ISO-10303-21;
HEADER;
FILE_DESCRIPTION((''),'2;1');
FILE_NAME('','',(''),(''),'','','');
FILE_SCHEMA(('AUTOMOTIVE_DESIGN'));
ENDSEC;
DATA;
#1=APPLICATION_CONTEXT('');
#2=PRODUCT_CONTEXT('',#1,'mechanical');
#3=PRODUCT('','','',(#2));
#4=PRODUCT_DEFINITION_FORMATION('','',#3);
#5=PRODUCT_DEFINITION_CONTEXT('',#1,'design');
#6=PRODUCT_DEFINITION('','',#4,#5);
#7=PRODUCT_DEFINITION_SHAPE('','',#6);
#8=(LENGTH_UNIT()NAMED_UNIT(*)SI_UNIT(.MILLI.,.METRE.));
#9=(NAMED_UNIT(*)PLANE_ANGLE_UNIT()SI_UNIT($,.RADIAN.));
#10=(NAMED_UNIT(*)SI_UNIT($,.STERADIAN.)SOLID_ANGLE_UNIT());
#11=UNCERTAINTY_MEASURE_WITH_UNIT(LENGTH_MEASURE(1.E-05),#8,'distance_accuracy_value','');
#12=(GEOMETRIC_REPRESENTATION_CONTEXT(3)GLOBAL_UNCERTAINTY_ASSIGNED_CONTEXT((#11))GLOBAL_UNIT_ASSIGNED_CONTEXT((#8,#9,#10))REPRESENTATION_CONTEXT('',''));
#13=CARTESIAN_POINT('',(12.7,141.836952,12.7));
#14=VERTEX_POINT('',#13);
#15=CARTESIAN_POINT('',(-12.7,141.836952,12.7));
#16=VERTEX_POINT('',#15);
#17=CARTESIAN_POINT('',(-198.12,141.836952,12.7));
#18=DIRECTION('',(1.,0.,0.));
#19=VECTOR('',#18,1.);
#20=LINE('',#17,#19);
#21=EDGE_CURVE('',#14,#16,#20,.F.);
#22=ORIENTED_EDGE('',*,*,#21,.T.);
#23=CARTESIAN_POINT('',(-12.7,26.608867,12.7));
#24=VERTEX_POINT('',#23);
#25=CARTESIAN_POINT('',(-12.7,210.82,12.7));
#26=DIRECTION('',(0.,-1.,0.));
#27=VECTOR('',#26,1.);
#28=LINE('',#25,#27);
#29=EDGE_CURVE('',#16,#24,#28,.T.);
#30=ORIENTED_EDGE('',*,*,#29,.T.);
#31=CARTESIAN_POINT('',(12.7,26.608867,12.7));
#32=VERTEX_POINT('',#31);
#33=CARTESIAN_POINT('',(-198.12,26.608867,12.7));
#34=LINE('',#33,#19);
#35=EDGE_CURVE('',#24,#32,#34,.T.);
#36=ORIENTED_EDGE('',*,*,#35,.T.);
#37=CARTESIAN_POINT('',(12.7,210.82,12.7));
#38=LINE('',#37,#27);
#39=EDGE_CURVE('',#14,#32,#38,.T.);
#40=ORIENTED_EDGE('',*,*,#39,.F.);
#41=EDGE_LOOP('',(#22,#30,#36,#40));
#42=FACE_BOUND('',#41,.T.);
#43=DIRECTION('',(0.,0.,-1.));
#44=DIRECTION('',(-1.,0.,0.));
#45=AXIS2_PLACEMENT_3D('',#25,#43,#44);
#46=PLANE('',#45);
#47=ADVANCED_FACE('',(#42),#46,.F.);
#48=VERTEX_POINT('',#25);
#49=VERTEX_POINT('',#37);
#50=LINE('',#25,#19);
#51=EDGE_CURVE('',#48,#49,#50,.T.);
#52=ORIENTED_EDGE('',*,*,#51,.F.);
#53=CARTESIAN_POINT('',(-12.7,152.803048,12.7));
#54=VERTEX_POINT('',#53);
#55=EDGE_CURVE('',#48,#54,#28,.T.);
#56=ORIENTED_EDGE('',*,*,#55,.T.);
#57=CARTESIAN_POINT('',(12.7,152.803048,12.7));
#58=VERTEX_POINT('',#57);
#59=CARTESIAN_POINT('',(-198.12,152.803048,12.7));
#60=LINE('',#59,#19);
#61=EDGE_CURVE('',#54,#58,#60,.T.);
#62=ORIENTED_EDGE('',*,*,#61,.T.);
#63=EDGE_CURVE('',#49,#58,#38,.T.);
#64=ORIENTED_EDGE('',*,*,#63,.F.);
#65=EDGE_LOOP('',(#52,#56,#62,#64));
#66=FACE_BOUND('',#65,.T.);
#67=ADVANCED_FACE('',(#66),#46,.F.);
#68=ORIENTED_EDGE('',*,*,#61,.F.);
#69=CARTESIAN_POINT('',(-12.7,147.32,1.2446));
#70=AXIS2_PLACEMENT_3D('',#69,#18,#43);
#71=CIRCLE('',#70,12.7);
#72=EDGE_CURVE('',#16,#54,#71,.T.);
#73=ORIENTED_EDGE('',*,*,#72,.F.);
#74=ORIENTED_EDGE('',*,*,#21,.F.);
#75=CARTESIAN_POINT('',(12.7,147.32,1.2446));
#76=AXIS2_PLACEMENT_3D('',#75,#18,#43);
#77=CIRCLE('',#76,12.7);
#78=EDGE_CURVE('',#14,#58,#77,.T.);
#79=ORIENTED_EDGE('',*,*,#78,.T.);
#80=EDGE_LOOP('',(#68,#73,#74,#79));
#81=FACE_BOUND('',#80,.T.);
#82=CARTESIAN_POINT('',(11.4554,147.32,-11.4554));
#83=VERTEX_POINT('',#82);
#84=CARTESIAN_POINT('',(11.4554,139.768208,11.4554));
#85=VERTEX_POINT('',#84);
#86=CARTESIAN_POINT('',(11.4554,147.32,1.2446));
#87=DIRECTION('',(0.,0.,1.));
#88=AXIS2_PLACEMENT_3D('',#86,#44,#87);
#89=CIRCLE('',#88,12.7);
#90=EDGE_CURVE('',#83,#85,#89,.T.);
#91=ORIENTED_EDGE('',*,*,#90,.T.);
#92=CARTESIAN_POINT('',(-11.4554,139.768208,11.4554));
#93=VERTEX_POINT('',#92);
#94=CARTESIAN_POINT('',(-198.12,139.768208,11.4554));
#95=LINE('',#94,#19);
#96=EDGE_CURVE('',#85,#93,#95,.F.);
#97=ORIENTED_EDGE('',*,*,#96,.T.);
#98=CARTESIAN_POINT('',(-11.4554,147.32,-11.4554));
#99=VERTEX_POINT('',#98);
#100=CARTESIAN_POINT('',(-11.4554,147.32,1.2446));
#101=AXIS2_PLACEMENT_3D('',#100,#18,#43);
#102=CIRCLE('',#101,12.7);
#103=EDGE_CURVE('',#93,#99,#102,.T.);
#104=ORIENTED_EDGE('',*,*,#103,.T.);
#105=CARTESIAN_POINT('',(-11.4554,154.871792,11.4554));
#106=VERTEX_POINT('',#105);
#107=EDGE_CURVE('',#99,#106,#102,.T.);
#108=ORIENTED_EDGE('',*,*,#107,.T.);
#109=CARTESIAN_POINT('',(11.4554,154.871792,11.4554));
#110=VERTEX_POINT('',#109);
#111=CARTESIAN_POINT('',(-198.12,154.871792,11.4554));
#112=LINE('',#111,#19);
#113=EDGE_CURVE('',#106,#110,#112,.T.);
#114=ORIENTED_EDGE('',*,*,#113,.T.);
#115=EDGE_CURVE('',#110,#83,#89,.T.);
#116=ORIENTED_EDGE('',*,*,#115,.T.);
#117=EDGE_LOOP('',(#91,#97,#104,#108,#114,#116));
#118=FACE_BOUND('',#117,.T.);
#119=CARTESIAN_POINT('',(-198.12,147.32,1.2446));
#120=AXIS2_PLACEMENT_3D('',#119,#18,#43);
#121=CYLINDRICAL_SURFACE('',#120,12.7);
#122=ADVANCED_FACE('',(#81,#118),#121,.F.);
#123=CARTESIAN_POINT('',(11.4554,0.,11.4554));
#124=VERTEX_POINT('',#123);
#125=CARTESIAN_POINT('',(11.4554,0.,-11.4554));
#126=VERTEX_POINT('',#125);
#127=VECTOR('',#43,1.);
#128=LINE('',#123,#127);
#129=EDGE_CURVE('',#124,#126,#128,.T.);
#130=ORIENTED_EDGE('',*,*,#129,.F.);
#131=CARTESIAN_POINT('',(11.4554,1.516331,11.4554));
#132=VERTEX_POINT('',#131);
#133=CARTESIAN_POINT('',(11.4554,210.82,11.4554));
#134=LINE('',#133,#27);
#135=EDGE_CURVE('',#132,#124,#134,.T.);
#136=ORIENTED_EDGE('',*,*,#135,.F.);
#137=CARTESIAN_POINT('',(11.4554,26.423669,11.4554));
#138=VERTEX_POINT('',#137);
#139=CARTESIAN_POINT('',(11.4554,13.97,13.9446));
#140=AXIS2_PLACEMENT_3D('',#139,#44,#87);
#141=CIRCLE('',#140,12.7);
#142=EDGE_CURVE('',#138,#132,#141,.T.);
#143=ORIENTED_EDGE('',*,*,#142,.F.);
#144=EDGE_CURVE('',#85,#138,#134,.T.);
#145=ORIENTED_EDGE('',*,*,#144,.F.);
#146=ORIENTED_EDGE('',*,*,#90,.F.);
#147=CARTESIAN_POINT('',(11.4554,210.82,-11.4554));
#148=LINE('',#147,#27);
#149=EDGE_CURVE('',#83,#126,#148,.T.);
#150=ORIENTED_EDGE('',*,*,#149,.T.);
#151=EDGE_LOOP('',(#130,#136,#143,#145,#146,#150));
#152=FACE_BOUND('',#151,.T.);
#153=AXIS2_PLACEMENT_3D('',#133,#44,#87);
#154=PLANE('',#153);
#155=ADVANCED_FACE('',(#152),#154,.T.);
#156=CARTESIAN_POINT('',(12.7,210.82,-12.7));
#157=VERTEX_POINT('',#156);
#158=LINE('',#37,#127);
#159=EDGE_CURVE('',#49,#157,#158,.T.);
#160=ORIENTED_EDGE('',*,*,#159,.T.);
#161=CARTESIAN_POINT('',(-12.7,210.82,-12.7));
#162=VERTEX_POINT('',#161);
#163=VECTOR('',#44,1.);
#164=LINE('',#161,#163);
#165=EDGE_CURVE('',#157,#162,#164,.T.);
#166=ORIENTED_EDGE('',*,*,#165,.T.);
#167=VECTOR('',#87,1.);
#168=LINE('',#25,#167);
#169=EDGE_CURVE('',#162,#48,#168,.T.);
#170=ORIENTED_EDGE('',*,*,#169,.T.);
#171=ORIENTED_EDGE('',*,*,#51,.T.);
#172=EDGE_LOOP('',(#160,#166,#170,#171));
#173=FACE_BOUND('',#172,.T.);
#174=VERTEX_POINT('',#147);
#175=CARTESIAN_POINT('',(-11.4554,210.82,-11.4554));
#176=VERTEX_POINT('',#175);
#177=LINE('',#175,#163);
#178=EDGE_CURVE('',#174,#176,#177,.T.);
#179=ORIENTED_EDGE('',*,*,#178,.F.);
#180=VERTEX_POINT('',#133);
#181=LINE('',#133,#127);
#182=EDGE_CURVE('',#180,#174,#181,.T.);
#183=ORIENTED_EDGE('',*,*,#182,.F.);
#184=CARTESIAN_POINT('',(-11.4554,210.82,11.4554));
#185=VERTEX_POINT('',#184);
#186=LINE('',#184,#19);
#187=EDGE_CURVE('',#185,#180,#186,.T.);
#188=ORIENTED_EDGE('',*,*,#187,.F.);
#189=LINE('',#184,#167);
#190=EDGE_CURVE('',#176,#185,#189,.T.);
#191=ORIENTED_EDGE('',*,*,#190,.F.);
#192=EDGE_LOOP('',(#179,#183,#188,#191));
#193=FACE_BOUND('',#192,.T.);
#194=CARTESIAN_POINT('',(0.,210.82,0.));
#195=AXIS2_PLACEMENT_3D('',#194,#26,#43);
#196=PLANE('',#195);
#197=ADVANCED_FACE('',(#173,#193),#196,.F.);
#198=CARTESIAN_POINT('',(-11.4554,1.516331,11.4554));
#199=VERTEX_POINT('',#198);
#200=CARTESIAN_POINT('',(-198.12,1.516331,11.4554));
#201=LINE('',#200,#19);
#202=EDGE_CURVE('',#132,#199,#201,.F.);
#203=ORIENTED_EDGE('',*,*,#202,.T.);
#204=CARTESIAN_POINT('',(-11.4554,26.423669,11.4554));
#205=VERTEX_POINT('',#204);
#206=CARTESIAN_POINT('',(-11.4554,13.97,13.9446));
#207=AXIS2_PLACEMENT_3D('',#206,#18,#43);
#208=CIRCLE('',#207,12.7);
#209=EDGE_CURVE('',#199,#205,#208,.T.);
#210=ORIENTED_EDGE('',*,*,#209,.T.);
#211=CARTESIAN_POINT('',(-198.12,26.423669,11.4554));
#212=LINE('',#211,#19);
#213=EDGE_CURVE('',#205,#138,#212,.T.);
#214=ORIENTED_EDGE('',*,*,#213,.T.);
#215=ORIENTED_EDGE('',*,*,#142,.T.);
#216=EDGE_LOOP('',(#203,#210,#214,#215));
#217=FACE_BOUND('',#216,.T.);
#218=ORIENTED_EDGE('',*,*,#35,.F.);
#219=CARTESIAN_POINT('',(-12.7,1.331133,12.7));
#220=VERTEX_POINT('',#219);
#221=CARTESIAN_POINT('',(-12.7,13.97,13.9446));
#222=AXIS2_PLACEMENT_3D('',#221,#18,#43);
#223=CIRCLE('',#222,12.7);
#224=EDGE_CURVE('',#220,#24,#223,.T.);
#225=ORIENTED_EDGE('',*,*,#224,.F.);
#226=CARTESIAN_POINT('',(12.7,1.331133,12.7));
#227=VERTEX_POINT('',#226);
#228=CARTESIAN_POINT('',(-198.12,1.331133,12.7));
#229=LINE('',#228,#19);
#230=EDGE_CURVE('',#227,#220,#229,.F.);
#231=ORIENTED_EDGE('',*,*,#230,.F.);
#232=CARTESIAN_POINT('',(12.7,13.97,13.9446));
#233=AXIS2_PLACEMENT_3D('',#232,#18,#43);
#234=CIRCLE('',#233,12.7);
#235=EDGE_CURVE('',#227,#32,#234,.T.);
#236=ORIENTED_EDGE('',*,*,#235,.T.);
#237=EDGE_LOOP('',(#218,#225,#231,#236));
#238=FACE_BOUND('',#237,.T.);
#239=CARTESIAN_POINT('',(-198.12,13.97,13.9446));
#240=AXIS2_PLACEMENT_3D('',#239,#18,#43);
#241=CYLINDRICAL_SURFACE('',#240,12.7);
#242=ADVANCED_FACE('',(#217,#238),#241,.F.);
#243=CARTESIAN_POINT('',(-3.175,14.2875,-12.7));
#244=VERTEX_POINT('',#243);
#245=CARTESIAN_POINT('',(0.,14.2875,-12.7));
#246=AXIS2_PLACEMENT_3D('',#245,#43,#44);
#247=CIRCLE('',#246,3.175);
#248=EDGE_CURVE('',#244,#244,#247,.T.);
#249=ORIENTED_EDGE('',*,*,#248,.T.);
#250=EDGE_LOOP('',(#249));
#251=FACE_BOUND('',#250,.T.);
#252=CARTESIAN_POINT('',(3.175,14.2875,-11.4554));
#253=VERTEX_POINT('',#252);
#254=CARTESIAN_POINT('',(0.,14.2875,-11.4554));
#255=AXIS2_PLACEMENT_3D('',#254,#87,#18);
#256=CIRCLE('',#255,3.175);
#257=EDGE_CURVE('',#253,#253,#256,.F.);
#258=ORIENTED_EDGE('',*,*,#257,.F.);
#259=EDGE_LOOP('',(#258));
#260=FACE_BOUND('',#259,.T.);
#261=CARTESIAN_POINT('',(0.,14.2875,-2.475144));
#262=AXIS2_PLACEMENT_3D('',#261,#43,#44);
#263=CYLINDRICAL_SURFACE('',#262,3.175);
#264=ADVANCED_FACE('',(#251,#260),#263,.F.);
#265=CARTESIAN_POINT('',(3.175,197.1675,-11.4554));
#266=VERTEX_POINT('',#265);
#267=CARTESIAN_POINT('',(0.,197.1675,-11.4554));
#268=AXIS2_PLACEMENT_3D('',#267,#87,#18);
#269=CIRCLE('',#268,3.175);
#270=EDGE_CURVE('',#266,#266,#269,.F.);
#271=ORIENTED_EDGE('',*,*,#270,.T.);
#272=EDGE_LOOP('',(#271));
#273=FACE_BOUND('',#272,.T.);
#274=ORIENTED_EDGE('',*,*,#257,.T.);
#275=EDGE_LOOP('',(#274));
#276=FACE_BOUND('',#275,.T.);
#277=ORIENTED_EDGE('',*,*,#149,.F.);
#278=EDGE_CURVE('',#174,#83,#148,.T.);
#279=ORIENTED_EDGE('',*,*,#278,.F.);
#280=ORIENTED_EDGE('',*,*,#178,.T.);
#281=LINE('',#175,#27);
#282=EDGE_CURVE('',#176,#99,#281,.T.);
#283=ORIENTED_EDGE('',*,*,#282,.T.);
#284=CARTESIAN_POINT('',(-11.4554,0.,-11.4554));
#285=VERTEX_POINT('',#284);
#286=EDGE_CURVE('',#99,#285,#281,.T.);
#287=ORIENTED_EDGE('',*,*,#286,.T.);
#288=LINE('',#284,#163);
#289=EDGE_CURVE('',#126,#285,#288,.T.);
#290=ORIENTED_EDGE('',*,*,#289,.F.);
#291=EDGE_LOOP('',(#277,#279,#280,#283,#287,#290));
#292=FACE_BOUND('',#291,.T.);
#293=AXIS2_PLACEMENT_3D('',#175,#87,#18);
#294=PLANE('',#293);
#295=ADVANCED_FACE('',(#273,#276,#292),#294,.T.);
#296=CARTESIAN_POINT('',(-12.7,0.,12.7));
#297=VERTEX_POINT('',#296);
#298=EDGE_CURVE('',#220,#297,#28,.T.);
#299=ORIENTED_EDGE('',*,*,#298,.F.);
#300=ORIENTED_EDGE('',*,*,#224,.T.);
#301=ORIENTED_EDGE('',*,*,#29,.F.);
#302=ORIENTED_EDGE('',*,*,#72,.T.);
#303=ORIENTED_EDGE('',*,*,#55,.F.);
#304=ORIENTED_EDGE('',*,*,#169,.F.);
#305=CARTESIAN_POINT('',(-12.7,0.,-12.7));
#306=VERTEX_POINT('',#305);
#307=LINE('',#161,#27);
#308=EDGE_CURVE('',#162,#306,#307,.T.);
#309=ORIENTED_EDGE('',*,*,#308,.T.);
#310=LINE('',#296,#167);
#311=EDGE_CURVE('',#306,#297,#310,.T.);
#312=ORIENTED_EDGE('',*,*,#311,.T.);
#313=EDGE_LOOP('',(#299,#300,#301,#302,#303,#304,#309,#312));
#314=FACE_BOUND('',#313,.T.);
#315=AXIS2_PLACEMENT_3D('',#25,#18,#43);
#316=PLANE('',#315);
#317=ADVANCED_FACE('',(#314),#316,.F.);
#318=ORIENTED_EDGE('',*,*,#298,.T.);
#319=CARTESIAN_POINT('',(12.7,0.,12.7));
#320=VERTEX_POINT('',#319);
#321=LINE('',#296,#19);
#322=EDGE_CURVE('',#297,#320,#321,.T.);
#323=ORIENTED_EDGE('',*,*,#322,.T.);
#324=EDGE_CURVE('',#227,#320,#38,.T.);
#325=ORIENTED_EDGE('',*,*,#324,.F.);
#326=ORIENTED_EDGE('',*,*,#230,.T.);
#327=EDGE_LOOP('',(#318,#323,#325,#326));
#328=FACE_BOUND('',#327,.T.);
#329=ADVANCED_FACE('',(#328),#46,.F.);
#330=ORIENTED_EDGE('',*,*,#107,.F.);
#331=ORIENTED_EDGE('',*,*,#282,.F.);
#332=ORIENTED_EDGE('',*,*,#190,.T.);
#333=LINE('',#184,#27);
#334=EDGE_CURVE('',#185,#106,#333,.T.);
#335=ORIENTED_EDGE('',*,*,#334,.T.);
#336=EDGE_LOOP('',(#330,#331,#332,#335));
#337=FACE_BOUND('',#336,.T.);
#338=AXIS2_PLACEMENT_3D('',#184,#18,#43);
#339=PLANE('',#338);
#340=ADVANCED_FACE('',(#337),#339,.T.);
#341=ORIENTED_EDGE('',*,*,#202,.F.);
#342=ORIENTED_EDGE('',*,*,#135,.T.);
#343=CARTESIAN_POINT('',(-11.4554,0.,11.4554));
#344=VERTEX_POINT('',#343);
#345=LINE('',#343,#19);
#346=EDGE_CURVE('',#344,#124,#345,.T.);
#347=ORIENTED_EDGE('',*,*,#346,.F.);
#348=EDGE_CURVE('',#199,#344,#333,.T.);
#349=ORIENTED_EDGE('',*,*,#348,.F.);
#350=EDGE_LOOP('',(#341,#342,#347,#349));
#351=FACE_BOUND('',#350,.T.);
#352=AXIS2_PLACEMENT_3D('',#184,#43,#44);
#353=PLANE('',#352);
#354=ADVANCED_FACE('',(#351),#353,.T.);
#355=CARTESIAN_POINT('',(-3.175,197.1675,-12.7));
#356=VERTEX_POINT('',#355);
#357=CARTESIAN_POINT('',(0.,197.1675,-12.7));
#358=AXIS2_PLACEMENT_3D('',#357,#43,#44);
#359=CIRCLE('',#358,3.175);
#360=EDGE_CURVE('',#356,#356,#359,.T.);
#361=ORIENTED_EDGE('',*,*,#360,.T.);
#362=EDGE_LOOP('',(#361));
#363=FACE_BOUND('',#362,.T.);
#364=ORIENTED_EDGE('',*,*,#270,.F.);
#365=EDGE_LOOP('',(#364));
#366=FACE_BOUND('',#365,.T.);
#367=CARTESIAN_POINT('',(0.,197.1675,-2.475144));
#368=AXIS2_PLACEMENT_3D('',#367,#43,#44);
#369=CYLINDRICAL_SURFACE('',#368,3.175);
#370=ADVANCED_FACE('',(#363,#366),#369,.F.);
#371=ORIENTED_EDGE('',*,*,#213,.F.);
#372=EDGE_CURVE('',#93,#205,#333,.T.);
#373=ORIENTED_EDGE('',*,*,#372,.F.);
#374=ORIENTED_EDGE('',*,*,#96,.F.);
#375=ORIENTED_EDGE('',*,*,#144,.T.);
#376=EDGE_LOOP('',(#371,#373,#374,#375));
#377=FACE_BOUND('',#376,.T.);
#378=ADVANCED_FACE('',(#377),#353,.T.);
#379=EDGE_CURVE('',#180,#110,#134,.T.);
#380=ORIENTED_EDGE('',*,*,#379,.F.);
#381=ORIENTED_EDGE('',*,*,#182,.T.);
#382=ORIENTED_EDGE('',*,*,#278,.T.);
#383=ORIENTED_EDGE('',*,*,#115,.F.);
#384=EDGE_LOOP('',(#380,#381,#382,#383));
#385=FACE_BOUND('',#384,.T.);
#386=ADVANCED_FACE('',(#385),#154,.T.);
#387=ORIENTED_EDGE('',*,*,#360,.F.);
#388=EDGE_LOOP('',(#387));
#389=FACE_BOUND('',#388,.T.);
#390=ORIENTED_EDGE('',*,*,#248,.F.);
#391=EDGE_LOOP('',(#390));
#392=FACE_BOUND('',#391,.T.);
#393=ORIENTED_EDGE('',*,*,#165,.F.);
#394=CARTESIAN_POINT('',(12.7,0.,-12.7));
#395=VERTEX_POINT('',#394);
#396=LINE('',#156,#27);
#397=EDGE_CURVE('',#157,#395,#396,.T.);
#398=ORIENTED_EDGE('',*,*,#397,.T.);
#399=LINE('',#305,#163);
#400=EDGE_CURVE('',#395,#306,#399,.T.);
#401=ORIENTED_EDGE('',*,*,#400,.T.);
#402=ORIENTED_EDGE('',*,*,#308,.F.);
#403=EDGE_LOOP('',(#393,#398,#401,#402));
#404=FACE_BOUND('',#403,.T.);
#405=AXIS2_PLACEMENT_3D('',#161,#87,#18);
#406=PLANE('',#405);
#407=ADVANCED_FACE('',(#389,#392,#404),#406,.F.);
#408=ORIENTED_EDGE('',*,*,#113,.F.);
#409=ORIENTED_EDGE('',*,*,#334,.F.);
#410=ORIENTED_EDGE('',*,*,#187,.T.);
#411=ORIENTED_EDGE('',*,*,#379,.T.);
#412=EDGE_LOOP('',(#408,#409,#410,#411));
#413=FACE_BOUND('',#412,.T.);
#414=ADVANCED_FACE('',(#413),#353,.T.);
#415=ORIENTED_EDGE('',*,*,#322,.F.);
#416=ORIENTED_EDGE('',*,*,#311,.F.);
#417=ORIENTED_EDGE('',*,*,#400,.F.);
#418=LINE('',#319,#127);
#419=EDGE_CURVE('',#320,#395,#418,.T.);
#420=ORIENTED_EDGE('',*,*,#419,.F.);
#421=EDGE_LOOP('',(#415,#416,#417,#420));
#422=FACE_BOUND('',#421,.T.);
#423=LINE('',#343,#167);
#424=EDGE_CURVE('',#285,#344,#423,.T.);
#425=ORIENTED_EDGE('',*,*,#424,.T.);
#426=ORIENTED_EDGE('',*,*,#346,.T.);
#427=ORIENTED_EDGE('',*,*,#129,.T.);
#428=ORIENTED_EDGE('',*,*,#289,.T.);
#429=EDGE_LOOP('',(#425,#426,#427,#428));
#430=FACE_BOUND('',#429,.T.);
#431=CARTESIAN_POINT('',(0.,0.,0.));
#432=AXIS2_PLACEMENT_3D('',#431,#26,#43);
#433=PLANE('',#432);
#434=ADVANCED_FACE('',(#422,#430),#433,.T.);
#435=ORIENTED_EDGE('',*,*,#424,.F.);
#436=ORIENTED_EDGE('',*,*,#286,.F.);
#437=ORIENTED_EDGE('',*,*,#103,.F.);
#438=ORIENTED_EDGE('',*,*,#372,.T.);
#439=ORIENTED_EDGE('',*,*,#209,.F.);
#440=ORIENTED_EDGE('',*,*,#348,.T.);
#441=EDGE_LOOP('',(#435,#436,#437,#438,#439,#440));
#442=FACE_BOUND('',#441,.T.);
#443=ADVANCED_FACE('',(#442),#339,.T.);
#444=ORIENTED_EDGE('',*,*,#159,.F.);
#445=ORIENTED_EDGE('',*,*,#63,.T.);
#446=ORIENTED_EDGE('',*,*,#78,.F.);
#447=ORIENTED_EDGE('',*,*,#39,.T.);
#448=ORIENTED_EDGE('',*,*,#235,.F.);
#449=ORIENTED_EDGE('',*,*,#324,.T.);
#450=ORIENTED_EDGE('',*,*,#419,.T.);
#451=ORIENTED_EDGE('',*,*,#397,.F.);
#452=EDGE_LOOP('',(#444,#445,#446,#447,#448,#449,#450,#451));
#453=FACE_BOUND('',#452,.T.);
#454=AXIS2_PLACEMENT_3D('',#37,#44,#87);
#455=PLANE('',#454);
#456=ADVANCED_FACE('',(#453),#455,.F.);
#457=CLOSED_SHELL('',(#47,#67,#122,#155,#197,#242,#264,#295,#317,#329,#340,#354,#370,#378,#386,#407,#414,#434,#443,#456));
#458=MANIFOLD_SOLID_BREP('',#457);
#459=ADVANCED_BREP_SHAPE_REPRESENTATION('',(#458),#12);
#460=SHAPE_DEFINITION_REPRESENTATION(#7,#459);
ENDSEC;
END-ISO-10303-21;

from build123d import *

# Parameters (mm, degrees)
SKETCH1_W           = 25.4
SKETCH1_H           = 25.4
SKETCH1_W_2         = 22.9108
SKETCH1_H_2         = 22.9108
BOSS_EXTRUDE1_DEPTH = 210.82
SKETCH2_R           = 12.7
CUT_EXTRUDE1_DEPTH  = 210.82
SKETCH3_R           = 3.175
CUT_EXTRUDE2_DEPTH  = 1.2446


with BuildPart() as part:
    # Sketch1 → Boss-Extrude1 (new body)
    with BuildSketch(Plane(origin=(0, 0, 0), x_dir=(1, 0, 0), z_dir=(0, 1, 0))):
        Rectangle(SKETCH1_W, SKETCH1_H)
        Rectangle(SKETCH1_W_2, SKETCH1_H_2, mode=Mode.SUBTRACT)
    extrude(amount=BOSS_EXTRUDE1_DEPTH)

    # Sketch2 → Cut-Extrude1 (cut)
    with BuildSketch(Plane(origin=(12.7, 0, 0), x_dir=(0, 0, -1), z_dir=(1, 0, 0))):
        with Locations((-1.2446, 147.32)):
            Circle(SKETCH2_R)
        with Locations((-13.9446, 13.97)):
            Circle(SKETCH2_R)
    extrude(amount=-CUT_EXTRUDE1_DEPTH, mode=Mode.SUBTRACT)

    # Sketch3 → Cut-Extrude2 (cut)
    with BuildSketch(Plane(origin=(0, 0, -12.7), x_dir=(-1, 0, 0), z_dir=(0, 0, -1))):
        with Locations((0, 197.1675)):
            Circle(SKETCH3_R)
        with Locations((0, 14.2875)):
            Circle(SKETCH3_R)
    extrude(amount=-CUT_EXTRUDE2_DEPTH, mode=Mode.SUBTRACT)


solid = part.part
